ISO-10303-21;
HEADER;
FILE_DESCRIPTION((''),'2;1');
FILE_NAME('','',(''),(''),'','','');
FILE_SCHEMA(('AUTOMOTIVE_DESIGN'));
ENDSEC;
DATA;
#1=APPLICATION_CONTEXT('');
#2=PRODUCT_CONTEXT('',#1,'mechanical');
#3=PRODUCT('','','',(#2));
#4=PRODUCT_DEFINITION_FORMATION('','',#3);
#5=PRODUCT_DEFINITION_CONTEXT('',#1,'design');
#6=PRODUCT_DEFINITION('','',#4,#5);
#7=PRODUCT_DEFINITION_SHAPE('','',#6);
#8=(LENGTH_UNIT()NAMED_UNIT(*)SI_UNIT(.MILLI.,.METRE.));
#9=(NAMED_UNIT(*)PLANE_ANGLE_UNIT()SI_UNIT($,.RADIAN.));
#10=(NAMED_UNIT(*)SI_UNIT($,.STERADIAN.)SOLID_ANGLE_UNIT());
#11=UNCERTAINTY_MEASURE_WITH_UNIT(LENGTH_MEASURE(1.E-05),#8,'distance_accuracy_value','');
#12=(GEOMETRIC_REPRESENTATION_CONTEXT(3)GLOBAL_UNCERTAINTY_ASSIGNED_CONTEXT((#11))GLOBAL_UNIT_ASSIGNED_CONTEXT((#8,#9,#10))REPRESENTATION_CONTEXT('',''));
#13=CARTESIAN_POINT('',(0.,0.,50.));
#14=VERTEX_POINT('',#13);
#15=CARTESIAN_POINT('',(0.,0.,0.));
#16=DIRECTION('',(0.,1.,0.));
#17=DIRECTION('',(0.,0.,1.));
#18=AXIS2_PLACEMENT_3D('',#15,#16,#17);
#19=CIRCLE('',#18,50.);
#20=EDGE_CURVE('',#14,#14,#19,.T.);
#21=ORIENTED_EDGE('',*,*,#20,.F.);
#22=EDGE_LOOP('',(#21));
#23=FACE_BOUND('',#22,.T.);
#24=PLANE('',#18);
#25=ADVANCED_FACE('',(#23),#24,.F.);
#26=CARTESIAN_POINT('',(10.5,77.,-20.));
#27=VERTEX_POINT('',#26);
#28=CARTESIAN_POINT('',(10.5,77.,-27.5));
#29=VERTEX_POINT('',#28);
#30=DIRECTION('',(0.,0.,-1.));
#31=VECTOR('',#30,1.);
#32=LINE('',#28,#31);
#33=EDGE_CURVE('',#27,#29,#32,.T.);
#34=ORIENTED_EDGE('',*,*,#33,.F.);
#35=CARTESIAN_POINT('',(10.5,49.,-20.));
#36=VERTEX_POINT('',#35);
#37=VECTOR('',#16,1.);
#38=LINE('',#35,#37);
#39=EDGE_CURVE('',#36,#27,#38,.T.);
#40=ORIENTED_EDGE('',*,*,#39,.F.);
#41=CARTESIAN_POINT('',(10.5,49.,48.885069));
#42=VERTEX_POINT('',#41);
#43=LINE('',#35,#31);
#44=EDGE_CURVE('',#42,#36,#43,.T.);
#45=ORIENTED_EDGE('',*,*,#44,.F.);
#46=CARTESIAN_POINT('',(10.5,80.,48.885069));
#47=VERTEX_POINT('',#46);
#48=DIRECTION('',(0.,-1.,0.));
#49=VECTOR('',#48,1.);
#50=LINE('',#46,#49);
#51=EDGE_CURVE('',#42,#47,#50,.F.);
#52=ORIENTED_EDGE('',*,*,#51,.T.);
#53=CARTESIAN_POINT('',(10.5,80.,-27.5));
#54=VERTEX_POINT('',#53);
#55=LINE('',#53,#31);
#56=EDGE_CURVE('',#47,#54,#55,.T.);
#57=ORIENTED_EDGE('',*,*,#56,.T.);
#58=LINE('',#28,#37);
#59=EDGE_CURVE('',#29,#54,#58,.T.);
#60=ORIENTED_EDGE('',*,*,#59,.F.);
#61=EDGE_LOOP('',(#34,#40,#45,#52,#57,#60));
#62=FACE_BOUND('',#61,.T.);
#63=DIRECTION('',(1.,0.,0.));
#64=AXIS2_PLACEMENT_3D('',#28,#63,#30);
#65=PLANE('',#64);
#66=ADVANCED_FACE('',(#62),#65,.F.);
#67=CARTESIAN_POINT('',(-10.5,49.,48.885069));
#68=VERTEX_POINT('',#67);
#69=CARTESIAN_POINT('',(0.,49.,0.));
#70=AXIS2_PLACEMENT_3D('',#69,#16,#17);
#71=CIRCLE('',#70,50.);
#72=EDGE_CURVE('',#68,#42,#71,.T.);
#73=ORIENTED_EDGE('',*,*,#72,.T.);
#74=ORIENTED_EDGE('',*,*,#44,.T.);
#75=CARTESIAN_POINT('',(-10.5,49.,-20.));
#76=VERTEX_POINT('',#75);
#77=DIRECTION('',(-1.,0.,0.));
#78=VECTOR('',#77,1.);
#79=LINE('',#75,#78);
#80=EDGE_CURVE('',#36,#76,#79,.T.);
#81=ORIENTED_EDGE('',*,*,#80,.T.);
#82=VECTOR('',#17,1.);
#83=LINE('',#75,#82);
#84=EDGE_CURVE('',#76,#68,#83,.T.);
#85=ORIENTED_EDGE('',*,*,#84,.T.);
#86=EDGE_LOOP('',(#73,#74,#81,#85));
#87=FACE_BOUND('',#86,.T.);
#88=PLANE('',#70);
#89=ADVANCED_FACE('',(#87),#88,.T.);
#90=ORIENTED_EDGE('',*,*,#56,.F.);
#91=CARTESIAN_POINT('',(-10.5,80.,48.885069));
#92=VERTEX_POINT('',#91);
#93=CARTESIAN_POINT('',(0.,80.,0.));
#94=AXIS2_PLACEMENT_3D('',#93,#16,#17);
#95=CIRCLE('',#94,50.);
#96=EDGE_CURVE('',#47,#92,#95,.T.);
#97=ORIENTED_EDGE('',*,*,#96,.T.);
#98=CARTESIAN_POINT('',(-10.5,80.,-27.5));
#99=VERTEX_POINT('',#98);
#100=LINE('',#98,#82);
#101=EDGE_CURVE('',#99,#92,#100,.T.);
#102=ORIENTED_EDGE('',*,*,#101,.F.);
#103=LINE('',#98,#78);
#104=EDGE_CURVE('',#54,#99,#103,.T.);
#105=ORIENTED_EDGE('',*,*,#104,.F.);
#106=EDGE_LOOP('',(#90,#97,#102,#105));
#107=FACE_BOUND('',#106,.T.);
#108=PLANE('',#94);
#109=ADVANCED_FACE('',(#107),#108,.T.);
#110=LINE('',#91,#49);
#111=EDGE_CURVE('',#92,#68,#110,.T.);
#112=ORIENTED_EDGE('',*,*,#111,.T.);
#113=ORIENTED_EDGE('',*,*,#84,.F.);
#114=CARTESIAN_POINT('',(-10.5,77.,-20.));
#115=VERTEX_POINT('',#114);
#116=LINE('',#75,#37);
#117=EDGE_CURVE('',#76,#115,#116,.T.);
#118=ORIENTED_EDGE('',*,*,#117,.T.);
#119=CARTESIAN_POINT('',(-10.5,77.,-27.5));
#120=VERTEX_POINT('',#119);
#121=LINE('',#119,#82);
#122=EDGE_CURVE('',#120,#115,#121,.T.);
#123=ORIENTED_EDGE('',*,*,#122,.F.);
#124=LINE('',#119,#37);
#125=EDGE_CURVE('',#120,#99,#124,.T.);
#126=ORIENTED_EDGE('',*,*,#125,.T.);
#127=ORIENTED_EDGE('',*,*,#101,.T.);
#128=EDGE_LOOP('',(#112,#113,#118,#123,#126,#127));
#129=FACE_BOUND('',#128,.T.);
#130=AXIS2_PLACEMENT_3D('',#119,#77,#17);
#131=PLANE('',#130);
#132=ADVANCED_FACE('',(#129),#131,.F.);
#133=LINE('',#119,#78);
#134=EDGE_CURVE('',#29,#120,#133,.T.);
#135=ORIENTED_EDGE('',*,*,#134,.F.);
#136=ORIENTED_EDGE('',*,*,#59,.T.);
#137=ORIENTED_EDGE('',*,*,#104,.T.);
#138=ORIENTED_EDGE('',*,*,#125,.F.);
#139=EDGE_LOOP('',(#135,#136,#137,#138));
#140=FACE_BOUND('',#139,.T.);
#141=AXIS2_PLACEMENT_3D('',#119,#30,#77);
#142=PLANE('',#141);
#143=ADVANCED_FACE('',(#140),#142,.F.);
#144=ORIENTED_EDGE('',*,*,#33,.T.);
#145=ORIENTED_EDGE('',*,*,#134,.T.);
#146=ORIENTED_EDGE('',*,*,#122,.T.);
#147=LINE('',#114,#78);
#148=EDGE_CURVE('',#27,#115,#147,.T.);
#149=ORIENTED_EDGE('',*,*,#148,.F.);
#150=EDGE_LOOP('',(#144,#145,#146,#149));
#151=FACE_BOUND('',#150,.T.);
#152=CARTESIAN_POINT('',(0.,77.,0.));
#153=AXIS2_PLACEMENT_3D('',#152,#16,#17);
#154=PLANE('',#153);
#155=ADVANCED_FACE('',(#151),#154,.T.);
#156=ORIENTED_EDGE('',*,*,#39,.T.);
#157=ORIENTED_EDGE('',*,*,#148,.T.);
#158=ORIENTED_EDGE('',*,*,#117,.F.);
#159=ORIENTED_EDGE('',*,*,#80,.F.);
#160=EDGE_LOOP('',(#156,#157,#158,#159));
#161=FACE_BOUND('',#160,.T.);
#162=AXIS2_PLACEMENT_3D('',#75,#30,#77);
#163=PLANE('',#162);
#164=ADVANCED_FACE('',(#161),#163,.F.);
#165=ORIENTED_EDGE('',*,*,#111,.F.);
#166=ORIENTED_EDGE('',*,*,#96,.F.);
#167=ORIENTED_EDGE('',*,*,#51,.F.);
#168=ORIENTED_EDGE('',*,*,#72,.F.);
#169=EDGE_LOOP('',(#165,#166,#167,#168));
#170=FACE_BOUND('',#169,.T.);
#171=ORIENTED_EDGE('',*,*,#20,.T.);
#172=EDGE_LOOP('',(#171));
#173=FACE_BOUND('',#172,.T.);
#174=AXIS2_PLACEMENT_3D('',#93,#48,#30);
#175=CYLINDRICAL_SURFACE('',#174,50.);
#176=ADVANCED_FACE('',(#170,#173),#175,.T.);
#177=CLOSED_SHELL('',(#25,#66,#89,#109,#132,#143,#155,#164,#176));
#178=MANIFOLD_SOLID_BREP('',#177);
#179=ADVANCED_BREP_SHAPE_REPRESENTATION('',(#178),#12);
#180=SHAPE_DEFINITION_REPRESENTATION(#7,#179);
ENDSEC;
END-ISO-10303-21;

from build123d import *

# Parameters (mm, degrees)
SKETCH2_R           = 50
BOSS_EXTRUDE1_DEPTH = 80
SKETCH3_W           = 21
SKETCH3_H           = 55
CUT_EXTRUDE2_DEPTH  = 3
SKETCH4_W           = 21
SKETCH4_H           = 40
CUT_EXTRUDE3_DEPTH  = 28
SKETCH5_W           = 21
SKETCH5_H           = 56.862422016
CUT_EXTRUDE4_DEPTH  = 31


with BuildPart() as part:
    # Sketch2 → Boss-Extrude1 (new body)
    with BuildSketch(Plane(origin=(0, 0, 0), x_dir=(1, 0, 0), z_dir=(0, 1, 0))):
        with Locations(Location((0, 0, 0), (0, 0, 270))):
            Circle(SKETCH2_R)
    extrude(amount=BOSS_EXTRUDE1_DEPTH)

    # Sketch3 → Cut-Extrude2 (cut)
    with BuildSketch(Plane(origin=(0, 80, 0), x_dir=(1, 0, 0), z_dir=(0, 1, 0))):
        Rectangle(SKETCH3_W, SKETCH3_H)
    extrude(amount=-CUT_EXTRUDE2_DEPTH, mode=Mode.SUBTRACT)

    # Sketch4 → Cut-Extrude3 (cut)
    with BuildSketch(Plane(origin=(0, 77, 0), x_dir=(1, 0, 0), z_dir=(0, 1, 0))):
        Rectangle(SKETCH4_W, SKETCH4_H)
    extrude(amount=-CUT_EXTRUDE3_DEPTH, mode=Mode.SUBTRACT)

    # Sketch5 → Cut-Extrude4 (cut)
    with BuildSketch(Plane(origin=(0, 80, 0), x_dir=(1, 0, 0), z_dir=(0, 1, 0))):
        with Locations((0, -28.431211008)):
            Rectangle(SKETCH5_W, SKETCH5_H)
    extrude(amount=-CUT_EXTRUDE4_DEPTH, mode=Mode.SUBTRACT)


solid = part.part
